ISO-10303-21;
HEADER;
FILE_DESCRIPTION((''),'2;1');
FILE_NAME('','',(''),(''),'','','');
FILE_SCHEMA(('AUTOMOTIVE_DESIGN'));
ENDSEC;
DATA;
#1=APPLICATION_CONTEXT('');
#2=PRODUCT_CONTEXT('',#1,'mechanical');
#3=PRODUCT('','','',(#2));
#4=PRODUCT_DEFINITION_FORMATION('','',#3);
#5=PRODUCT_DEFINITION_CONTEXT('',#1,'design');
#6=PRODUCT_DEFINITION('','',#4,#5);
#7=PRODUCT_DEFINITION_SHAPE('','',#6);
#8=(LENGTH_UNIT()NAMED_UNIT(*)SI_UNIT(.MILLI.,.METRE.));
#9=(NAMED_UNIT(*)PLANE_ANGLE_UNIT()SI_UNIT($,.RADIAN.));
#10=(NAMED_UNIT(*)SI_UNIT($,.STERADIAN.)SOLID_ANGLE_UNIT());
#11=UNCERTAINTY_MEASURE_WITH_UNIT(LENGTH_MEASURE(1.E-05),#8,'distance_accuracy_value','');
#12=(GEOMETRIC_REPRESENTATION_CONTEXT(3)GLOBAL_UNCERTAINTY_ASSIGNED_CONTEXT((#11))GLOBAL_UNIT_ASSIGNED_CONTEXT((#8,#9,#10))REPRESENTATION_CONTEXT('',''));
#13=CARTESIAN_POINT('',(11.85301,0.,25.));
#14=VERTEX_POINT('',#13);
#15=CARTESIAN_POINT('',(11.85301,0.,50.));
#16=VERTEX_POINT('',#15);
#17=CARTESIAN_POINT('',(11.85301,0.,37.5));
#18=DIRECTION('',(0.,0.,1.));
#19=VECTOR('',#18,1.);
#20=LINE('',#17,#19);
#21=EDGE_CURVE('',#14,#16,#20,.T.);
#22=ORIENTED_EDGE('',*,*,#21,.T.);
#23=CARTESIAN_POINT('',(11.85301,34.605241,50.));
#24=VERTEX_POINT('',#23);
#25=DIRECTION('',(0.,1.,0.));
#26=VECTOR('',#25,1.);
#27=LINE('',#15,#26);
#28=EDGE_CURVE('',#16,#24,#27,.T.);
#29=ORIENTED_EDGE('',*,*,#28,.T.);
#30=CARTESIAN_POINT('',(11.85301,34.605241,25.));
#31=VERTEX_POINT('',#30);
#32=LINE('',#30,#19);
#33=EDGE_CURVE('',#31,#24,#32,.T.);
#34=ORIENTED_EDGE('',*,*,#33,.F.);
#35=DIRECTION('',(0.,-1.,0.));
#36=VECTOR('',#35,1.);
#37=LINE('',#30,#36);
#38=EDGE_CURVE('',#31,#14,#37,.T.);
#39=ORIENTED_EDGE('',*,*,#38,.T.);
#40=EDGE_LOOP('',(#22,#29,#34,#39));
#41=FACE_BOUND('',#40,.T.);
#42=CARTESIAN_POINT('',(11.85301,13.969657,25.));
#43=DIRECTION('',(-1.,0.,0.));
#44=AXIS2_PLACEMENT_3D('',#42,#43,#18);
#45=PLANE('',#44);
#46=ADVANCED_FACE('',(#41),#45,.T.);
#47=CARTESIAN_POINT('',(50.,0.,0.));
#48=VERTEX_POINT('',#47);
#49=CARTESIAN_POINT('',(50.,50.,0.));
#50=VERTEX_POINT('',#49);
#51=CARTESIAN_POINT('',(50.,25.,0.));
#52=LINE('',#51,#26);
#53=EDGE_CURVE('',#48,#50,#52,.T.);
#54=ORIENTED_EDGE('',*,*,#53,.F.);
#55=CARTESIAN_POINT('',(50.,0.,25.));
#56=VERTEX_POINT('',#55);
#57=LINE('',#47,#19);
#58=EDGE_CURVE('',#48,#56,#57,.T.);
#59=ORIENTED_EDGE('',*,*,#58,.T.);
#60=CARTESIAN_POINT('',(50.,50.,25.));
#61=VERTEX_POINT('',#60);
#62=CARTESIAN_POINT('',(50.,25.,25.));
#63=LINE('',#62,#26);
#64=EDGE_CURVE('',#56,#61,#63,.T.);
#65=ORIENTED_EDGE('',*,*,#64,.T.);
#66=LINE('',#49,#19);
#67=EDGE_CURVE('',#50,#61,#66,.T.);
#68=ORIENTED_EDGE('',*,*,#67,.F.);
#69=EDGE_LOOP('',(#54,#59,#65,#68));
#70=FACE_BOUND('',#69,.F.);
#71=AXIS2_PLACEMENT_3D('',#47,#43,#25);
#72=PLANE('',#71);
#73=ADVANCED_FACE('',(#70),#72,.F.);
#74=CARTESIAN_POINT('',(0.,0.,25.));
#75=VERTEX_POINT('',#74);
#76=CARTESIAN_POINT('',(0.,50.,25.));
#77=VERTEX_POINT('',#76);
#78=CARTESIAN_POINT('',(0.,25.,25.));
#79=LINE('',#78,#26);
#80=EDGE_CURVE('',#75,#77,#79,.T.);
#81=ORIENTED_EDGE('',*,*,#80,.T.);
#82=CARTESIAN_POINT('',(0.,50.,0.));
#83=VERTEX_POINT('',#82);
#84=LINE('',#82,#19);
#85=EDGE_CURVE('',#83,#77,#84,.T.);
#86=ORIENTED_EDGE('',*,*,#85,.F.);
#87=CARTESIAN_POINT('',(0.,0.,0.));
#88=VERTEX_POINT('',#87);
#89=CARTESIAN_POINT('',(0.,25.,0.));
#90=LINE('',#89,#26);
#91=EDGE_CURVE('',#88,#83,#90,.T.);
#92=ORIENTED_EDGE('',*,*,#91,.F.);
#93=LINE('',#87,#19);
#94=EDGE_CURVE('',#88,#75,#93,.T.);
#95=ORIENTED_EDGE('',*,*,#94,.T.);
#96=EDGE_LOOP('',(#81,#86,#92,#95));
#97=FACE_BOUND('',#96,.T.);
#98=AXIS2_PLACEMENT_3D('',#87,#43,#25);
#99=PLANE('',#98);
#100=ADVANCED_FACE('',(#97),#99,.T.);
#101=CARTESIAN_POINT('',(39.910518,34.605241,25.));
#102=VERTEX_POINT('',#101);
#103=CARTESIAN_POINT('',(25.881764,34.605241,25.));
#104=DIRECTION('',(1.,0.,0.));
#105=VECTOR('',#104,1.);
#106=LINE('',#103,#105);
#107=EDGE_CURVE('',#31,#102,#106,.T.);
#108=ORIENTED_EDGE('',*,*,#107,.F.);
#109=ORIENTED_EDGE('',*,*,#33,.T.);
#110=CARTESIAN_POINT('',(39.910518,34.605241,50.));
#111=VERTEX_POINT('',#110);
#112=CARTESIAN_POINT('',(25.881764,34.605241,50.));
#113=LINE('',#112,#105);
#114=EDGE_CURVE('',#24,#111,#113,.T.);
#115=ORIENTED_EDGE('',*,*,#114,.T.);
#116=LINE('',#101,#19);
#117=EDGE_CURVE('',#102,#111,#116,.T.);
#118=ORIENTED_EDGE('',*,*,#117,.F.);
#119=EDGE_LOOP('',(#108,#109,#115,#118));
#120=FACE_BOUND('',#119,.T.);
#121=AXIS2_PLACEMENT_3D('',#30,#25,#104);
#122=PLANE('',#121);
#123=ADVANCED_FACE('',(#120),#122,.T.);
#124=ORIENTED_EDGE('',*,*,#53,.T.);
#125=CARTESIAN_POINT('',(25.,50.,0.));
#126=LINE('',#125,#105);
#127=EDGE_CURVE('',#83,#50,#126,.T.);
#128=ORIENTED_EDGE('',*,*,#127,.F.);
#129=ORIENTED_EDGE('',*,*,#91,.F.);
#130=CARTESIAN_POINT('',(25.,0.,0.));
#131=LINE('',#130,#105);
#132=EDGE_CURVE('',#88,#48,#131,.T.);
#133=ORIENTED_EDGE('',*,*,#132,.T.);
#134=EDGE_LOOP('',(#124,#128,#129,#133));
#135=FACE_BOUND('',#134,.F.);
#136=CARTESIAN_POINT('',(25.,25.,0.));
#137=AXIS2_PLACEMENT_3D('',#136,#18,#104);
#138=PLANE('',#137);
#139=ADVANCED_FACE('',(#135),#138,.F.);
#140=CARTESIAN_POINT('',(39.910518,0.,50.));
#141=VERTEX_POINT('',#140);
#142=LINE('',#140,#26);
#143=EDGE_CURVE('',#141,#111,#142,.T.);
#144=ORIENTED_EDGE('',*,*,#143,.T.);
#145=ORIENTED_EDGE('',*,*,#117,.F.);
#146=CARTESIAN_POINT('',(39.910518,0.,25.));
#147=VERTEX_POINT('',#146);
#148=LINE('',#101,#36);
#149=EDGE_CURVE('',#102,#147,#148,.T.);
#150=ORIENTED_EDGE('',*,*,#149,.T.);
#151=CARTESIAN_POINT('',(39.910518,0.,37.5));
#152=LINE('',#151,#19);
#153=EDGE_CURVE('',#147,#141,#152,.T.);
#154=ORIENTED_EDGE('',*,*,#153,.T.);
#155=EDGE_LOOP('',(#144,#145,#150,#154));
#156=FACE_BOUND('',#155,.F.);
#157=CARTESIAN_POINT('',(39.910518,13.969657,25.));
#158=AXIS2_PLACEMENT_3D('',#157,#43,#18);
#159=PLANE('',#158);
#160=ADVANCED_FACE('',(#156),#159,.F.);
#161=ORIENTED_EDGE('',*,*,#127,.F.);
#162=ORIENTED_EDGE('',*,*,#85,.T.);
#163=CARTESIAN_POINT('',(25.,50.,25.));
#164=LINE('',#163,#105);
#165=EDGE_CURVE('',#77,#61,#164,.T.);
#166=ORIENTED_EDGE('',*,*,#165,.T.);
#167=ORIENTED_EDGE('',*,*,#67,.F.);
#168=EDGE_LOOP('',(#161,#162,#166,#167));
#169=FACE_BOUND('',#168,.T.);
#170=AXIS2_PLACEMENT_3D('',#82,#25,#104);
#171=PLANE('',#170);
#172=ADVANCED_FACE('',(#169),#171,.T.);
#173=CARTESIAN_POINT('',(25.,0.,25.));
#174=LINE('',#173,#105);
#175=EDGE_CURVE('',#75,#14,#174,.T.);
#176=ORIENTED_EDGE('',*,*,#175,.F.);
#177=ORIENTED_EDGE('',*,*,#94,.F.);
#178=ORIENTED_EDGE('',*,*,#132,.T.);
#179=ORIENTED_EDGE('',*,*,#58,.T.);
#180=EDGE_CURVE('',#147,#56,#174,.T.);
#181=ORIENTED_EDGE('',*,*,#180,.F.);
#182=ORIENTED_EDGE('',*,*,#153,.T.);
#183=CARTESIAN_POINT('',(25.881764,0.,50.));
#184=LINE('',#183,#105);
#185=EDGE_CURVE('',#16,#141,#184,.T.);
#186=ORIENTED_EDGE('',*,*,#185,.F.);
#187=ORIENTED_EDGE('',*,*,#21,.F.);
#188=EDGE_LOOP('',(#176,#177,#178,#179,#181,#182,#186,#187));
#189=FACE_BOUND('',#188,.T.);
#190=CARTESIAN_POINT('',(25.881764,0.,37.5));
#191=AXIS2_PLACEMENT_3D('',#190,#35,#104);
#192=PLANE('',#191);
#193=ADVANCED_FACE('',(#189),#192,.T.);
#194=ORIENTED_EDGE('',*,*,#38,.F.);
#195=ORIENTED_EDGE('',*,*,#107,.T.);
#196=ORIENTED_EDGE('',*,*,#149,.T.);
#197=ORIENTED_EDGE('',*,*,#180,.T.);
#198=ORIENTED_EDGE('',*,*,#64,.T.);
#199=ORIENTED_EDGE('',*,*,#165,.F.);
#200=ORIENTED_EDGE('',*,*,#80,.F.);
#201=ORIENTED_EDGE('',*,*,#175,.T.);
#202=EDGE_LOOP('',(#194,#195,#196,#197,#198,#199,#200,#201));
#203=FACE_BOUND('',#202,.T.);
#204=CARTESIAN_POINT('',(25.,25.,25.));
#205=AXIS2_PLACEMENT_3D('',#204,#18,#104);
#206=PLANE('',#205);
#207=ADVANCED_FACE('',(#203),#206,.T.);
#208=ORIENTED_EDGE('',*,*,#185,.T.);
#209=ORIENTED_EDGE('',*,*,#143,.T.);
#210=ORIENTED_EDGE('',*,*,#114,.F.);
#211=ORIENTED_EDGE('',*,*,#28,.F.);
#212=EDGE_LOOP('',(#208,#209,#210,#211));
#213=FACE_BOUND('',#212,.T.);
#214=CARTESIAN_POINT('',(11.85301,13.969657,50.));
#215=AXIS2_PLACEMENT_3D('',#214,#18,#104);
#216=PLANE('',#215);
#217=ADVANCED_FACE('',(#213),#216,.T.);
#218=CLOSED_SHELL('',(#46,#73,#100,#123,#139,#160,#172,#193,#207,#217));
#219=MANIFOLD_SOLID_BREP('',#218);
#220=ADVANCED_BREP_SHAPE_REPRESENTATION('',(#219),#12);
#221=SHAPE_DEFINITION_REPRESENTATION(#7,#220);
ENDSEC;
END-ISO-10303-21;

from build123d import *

# Parameters (mm, degrees)
F0_W      = 50
F0_H      = 50
F1_DEPTH  = 25
F2_W      = 28.057508
F2_H      = 20.635585
F3_DEPTH  = 25
F3_FACE_W = 28.057508
F3_FACE_H = 25
F4_DEPTH  = 13.969657


with BuildPart() as f1:
    # F0 (on Top) → F1 (new body)
    with BuildSketch(Plane.XY):
        with Locations((25, 25)):
            Rectangle(F0_W, F0_H)
    extrude(amount=F1_DEPTH)

    # F2 (on face) → F3 (join)
    with BuildSketch(Plane.XY.offset(25)):
        with Locations((25.881764, 24.287449)):
            Rectangle(F2_W, F2_H)
    extrude(amount=F3_DEPTH)

    # F3_face (on face) → F4 (join, through all)
    with BuildSketch(Plane(origin=(25.881764, 13.969657, 37.5), x_dir=(1, 0, 0), z_dir=(0, -1, 0))):
        Rectangle(F3_FACE_W, F3_FACE_H)
    extrude(amount=F4_DEPTH)


solid = f1.part
